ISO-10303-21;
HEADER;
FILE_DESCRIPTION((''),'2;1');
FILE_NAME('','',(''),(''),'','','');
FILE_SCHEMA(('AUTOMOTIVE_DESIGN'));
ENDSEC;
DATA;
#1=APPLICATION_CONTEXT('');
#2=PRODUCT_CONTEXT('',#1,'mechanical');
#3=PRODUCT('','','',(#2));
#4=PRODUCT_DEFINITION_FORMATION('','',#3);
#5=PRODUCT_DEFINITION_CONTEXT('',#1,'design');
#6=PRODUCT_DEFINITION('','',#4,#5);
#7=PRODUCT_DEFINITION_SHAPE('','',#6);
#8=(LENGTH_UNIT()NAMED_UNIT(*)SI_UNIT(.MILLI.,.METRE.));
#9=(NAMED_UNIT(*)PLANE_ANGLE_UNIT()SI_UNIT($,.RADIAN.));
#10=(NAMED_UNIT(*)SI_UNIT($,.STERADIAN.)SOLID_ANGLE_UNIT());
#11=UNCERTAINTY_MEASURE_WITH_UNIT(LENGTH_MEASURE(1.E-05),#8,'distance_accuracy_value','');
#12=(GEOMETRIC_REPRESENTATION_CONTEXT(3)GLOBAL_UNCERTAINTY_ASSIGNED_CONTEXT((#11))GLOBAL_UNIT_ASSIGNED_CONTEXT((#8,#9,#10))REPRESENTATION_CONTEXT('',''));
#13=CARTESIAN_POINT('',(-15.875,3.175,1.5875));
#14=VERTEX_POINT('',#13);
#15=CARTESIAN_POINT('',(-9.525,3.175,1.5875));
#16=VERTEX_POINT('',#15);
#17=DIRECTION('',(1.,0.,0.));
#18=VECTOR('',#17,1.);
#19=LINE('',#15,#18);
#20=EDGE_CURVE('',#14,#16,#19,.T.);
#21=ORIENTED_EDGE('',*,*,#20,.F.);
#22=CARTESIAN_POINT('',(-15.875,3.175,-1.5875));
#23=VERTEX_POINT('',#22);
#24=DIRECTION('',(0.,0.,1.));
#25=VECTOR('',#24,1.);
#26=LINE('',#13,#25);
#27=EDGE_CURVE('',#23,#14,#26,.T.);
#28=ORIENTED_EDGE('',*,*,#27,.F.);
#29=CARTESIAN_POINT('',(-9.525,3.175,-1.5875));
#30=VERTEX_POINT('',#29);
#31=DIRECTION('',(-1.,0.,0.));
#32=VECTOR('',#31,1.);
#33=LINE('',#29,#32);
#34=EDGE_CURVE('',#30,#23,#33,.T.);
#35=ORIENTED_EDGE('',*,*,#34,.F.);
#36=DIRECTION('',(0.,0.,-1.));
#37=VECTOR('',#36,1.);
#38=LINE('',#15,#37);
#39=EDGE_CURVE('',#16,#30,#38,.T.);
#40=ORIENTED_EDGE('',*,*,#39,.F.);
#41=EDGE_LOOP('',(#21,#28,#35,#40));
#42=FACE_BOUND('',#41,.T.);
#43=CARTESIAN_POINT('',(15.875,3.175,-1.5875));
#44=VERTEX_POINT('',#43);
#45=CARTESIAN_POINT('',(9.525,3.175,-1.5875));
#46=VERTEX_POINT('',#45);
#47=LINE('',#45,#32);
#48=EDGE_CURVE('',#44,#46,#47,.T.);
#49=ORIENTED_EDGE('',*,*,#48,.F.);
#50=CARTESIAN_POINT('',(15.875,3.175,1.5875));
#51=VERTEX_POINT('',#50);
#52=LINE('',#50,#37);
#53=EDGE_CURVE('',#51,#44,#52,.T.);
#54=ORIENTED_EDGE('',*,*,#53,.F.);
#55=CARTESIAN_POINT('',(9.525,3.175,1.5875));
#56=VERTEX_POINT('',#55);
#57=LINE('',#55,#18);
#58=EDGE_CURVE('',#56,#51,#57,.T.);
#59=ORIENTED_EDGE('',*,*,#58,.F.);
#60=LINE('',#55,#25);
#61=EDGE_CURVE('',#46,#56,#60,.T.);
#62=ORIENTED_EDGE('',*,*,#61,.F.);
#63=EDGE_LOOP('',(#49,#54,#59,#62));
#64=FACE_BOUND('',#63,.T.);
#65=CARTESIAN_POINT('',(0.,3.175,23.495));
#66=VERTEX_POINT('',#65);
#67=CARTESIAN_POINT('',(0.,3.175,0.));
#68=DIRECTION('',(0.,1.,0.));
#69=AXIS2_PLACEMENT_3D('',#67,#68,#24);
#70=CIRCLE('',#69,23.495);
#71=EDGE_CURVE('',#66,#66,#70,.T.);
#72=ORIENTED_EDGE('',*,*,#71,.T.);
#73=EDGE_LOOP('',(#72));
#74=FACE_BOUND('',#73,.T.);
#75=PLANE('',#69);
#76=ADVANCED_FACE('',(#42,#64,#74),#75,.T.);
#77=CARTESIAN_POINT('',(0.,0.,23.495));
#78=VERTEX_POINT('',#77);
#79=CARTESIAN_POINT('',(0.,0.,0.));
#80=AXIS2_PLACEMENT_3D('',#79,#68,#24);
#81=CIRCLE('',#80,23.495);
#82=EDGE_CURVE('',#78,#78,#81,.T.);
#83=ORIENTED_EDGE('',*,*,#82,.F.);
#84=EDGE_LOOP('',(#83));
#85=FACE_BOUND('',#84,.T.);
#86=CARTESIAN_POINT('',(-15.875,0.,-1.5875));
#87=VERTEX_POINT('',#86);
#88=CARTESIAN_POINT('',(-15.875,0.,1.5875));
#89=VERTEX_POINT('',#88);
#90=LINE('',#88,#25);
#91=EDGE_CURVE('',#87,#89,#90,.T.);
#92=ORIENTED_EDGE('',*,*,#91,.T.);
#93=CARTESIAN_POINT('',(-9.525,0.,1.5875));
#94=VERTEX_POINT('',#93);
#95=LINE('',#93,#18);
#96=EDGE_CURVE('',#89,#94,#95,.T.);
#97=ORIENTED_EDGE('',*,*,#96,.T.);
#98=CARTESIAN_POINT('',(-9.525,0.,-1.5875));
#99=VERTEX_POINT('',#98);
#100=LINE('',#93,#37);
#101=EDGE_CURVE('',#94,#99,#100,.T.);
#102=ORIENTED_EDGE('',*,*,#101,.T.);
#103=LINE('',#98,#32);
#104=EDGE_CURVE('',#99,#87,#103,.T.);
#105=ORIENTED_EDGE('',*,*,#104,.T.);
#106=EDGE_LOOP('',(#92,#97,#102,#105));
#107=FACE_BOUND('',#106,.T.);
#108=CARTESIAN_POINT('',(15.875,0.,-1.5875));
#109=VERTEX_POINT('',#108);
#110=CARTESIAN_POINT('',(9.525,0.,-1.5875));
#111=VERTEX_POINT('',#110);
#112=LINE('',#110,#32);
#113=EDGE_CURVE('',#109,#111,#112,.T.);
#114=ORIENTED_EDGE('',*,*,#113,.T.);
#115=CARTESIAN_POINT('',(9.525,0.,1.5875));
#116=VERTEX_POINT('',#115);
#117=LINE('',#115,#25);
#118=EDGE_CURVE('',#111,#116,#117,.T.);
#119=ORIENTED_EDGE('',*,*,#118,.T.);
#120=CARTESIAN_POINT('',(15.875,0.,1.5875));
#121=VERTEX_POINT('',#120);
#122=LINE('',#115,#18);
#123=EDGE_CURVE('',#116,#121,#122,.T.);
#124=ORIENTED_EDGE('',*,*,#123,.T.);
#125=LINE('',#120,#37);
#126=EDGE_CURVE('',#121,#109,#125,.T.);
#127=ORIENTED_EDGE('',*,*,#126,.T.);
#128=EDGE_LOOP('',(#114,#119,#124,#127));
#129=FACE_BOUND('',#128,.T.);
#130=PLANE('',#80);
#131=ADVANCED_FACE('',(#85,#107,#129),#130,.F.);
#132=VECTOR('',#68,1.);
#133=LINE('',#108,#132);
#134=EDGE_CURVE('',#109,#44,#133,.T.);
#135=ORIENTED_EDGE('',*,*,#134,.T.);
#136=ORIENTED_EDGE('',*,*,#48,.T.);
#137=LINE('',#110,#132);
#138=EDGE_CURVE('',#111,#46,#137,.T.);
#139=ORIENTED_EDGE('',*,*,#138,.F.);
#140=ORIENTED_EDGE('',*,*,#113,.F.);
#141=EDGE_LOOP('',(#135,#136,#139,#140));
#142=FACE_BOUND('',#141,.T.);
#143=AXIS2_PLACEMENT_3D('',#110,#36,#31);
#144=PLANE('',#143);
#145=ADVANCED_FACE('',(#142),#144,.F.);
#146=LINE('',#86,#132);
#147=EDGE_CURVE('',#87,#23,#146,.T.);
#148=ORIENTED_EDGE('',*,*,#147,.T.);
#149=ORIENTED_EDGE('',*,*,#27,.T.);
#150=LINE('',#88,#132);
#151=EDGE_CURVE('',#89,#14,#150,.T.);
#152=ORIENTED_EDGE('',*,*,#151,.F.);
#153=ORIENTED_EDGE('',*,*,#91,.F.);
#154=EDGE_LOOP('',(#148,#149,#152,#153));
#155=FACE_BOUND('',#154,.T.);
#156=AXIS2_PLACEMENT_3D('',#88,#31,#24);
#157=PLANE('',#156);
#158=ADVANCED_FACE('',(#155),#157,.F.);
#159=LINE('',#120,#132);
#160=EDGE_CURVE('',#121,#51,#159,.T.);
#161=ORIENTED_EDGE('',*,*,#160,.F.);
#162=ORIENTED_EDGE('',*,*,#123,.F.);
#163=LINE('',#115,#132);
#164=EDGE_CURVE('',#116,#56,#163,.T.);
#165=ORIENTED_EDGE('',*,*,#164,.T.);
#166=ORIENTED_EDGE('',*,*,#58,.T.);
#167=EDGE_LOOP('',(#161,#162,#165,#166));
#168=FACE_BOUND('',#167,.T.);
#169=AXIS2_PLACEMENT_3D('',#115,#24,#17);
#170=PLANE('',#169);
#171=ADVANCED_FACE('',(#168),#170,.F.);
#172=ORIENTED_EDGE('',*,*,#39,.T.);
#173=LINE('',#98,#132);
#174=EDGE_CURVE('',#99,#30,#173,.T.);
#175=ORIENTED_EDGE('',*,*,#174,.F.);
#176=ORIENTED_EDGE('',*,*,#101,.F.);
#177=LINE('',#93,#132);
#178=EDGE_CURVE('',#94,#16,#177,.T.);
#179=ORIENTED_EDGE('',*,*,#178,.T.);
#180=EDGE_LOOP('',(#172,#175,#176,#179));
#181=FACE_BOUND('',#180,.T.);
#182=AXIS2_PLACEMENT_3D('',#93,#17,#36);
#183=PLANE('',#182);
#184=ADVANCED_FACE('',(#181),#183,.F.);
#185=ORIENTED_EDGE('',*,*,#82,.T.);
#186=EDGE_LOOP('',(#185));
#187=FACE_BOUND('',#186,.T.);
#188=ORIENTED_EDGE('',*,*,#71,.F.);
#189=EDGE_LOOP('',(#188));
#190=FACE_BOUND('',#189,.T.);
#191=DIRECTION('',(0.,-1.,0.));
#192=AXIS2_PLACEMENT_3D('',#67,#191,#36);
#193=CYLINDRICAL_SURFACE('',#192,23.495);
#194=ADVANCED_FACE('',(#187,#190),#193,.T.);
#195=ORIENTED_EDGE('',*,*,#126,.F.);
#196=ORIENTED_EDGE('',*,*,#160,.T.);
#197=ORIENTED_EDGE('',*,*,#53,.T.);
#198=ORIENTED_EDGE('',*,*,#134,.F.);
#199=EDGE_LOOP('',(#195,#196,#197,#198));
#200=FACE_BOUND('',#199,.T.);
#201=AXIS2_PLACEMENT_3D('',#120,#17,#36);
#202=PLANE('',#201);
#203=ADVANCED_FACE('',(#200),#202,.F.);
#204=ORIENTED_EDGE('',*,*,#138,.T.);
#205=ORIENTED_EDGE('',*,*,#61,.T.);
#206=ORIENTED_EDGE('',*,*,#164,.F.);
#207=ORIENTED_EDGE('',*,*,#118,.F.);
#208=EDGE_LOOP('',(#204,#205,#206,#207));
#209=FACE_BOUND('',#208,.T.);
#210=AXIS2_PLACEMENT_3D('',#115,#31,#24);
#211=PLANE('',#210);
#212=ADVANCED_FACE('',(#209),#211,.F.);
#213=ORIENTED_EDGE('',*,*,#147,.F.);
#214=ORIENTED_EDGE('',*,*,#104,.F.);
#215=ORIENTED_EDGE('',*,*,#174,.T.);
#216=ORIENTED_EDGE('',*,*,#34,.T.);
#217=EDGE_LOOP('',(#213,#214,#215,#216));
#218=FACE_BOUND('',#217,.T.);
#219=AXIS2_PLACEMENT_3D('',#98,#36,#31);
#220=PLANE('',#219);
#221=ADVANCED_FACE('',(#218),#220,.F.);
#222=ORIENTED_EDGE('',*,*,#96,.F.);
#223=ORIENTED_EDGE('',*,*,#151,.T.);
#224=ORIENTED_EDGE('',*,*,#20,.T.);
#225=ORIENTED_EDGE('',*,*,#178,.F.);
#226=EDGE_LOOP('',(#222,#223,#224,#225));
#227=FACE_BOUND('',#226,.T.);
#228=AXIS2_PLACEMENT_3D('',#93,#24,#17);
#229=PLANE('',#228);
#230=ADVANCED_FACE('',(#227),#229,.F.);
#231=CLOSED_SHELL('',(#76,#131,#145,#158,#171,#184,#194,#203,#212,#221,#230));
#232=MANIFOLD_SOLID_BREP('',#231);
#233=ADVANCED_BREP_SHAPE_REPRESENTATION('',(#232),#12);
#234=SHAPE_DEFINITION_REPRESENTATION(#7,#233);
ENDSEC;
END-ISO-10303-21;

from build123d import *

# Parameters (mm, degrees)
SKETCH1_R           = 23.495
BOSS_EXTRUDE1_DEPTH = 3.175
SKETCH2_W           = 6.35
SKETCH2_H           = 3.175
CUT_EXTRUDE1_DEPTH  = 34.378296466


with BuildPart() as part:
    # Sketch1 → Boss-Extrude1 (new body)
    with BuildSketch(Plane(origin=(0, 0, 0), x_dir=(1, 0, 0), z_dir=(0, 1, 0))):
        with Locations(Location((0, 0, 0), (0, 0, 270))):
            Circle(SKETCH1_R)
    extrude(amount=BOSS_EXTRUDE1_DEPTH)

    # Sketch2 → Cut-Extrude1 (cut, through all)
    with BuildSketch(Plane(origin=(0, 3.175, 0), x_dir=(1, 0, 0), z_dir=(0, 1, 0))):
        with Locations((-12.7, 0)):
            Rectangle(SKETCH2_W, SKETCH2_H)
        with Locations((12.7, 0)):
            Rectangle(SKETCH2_W, SKETCH2_H)
    extrude(amount=-CUT_EXTRUDE1_DEPTH, mode=Mode.SUBTRACT)


solid = part.part
